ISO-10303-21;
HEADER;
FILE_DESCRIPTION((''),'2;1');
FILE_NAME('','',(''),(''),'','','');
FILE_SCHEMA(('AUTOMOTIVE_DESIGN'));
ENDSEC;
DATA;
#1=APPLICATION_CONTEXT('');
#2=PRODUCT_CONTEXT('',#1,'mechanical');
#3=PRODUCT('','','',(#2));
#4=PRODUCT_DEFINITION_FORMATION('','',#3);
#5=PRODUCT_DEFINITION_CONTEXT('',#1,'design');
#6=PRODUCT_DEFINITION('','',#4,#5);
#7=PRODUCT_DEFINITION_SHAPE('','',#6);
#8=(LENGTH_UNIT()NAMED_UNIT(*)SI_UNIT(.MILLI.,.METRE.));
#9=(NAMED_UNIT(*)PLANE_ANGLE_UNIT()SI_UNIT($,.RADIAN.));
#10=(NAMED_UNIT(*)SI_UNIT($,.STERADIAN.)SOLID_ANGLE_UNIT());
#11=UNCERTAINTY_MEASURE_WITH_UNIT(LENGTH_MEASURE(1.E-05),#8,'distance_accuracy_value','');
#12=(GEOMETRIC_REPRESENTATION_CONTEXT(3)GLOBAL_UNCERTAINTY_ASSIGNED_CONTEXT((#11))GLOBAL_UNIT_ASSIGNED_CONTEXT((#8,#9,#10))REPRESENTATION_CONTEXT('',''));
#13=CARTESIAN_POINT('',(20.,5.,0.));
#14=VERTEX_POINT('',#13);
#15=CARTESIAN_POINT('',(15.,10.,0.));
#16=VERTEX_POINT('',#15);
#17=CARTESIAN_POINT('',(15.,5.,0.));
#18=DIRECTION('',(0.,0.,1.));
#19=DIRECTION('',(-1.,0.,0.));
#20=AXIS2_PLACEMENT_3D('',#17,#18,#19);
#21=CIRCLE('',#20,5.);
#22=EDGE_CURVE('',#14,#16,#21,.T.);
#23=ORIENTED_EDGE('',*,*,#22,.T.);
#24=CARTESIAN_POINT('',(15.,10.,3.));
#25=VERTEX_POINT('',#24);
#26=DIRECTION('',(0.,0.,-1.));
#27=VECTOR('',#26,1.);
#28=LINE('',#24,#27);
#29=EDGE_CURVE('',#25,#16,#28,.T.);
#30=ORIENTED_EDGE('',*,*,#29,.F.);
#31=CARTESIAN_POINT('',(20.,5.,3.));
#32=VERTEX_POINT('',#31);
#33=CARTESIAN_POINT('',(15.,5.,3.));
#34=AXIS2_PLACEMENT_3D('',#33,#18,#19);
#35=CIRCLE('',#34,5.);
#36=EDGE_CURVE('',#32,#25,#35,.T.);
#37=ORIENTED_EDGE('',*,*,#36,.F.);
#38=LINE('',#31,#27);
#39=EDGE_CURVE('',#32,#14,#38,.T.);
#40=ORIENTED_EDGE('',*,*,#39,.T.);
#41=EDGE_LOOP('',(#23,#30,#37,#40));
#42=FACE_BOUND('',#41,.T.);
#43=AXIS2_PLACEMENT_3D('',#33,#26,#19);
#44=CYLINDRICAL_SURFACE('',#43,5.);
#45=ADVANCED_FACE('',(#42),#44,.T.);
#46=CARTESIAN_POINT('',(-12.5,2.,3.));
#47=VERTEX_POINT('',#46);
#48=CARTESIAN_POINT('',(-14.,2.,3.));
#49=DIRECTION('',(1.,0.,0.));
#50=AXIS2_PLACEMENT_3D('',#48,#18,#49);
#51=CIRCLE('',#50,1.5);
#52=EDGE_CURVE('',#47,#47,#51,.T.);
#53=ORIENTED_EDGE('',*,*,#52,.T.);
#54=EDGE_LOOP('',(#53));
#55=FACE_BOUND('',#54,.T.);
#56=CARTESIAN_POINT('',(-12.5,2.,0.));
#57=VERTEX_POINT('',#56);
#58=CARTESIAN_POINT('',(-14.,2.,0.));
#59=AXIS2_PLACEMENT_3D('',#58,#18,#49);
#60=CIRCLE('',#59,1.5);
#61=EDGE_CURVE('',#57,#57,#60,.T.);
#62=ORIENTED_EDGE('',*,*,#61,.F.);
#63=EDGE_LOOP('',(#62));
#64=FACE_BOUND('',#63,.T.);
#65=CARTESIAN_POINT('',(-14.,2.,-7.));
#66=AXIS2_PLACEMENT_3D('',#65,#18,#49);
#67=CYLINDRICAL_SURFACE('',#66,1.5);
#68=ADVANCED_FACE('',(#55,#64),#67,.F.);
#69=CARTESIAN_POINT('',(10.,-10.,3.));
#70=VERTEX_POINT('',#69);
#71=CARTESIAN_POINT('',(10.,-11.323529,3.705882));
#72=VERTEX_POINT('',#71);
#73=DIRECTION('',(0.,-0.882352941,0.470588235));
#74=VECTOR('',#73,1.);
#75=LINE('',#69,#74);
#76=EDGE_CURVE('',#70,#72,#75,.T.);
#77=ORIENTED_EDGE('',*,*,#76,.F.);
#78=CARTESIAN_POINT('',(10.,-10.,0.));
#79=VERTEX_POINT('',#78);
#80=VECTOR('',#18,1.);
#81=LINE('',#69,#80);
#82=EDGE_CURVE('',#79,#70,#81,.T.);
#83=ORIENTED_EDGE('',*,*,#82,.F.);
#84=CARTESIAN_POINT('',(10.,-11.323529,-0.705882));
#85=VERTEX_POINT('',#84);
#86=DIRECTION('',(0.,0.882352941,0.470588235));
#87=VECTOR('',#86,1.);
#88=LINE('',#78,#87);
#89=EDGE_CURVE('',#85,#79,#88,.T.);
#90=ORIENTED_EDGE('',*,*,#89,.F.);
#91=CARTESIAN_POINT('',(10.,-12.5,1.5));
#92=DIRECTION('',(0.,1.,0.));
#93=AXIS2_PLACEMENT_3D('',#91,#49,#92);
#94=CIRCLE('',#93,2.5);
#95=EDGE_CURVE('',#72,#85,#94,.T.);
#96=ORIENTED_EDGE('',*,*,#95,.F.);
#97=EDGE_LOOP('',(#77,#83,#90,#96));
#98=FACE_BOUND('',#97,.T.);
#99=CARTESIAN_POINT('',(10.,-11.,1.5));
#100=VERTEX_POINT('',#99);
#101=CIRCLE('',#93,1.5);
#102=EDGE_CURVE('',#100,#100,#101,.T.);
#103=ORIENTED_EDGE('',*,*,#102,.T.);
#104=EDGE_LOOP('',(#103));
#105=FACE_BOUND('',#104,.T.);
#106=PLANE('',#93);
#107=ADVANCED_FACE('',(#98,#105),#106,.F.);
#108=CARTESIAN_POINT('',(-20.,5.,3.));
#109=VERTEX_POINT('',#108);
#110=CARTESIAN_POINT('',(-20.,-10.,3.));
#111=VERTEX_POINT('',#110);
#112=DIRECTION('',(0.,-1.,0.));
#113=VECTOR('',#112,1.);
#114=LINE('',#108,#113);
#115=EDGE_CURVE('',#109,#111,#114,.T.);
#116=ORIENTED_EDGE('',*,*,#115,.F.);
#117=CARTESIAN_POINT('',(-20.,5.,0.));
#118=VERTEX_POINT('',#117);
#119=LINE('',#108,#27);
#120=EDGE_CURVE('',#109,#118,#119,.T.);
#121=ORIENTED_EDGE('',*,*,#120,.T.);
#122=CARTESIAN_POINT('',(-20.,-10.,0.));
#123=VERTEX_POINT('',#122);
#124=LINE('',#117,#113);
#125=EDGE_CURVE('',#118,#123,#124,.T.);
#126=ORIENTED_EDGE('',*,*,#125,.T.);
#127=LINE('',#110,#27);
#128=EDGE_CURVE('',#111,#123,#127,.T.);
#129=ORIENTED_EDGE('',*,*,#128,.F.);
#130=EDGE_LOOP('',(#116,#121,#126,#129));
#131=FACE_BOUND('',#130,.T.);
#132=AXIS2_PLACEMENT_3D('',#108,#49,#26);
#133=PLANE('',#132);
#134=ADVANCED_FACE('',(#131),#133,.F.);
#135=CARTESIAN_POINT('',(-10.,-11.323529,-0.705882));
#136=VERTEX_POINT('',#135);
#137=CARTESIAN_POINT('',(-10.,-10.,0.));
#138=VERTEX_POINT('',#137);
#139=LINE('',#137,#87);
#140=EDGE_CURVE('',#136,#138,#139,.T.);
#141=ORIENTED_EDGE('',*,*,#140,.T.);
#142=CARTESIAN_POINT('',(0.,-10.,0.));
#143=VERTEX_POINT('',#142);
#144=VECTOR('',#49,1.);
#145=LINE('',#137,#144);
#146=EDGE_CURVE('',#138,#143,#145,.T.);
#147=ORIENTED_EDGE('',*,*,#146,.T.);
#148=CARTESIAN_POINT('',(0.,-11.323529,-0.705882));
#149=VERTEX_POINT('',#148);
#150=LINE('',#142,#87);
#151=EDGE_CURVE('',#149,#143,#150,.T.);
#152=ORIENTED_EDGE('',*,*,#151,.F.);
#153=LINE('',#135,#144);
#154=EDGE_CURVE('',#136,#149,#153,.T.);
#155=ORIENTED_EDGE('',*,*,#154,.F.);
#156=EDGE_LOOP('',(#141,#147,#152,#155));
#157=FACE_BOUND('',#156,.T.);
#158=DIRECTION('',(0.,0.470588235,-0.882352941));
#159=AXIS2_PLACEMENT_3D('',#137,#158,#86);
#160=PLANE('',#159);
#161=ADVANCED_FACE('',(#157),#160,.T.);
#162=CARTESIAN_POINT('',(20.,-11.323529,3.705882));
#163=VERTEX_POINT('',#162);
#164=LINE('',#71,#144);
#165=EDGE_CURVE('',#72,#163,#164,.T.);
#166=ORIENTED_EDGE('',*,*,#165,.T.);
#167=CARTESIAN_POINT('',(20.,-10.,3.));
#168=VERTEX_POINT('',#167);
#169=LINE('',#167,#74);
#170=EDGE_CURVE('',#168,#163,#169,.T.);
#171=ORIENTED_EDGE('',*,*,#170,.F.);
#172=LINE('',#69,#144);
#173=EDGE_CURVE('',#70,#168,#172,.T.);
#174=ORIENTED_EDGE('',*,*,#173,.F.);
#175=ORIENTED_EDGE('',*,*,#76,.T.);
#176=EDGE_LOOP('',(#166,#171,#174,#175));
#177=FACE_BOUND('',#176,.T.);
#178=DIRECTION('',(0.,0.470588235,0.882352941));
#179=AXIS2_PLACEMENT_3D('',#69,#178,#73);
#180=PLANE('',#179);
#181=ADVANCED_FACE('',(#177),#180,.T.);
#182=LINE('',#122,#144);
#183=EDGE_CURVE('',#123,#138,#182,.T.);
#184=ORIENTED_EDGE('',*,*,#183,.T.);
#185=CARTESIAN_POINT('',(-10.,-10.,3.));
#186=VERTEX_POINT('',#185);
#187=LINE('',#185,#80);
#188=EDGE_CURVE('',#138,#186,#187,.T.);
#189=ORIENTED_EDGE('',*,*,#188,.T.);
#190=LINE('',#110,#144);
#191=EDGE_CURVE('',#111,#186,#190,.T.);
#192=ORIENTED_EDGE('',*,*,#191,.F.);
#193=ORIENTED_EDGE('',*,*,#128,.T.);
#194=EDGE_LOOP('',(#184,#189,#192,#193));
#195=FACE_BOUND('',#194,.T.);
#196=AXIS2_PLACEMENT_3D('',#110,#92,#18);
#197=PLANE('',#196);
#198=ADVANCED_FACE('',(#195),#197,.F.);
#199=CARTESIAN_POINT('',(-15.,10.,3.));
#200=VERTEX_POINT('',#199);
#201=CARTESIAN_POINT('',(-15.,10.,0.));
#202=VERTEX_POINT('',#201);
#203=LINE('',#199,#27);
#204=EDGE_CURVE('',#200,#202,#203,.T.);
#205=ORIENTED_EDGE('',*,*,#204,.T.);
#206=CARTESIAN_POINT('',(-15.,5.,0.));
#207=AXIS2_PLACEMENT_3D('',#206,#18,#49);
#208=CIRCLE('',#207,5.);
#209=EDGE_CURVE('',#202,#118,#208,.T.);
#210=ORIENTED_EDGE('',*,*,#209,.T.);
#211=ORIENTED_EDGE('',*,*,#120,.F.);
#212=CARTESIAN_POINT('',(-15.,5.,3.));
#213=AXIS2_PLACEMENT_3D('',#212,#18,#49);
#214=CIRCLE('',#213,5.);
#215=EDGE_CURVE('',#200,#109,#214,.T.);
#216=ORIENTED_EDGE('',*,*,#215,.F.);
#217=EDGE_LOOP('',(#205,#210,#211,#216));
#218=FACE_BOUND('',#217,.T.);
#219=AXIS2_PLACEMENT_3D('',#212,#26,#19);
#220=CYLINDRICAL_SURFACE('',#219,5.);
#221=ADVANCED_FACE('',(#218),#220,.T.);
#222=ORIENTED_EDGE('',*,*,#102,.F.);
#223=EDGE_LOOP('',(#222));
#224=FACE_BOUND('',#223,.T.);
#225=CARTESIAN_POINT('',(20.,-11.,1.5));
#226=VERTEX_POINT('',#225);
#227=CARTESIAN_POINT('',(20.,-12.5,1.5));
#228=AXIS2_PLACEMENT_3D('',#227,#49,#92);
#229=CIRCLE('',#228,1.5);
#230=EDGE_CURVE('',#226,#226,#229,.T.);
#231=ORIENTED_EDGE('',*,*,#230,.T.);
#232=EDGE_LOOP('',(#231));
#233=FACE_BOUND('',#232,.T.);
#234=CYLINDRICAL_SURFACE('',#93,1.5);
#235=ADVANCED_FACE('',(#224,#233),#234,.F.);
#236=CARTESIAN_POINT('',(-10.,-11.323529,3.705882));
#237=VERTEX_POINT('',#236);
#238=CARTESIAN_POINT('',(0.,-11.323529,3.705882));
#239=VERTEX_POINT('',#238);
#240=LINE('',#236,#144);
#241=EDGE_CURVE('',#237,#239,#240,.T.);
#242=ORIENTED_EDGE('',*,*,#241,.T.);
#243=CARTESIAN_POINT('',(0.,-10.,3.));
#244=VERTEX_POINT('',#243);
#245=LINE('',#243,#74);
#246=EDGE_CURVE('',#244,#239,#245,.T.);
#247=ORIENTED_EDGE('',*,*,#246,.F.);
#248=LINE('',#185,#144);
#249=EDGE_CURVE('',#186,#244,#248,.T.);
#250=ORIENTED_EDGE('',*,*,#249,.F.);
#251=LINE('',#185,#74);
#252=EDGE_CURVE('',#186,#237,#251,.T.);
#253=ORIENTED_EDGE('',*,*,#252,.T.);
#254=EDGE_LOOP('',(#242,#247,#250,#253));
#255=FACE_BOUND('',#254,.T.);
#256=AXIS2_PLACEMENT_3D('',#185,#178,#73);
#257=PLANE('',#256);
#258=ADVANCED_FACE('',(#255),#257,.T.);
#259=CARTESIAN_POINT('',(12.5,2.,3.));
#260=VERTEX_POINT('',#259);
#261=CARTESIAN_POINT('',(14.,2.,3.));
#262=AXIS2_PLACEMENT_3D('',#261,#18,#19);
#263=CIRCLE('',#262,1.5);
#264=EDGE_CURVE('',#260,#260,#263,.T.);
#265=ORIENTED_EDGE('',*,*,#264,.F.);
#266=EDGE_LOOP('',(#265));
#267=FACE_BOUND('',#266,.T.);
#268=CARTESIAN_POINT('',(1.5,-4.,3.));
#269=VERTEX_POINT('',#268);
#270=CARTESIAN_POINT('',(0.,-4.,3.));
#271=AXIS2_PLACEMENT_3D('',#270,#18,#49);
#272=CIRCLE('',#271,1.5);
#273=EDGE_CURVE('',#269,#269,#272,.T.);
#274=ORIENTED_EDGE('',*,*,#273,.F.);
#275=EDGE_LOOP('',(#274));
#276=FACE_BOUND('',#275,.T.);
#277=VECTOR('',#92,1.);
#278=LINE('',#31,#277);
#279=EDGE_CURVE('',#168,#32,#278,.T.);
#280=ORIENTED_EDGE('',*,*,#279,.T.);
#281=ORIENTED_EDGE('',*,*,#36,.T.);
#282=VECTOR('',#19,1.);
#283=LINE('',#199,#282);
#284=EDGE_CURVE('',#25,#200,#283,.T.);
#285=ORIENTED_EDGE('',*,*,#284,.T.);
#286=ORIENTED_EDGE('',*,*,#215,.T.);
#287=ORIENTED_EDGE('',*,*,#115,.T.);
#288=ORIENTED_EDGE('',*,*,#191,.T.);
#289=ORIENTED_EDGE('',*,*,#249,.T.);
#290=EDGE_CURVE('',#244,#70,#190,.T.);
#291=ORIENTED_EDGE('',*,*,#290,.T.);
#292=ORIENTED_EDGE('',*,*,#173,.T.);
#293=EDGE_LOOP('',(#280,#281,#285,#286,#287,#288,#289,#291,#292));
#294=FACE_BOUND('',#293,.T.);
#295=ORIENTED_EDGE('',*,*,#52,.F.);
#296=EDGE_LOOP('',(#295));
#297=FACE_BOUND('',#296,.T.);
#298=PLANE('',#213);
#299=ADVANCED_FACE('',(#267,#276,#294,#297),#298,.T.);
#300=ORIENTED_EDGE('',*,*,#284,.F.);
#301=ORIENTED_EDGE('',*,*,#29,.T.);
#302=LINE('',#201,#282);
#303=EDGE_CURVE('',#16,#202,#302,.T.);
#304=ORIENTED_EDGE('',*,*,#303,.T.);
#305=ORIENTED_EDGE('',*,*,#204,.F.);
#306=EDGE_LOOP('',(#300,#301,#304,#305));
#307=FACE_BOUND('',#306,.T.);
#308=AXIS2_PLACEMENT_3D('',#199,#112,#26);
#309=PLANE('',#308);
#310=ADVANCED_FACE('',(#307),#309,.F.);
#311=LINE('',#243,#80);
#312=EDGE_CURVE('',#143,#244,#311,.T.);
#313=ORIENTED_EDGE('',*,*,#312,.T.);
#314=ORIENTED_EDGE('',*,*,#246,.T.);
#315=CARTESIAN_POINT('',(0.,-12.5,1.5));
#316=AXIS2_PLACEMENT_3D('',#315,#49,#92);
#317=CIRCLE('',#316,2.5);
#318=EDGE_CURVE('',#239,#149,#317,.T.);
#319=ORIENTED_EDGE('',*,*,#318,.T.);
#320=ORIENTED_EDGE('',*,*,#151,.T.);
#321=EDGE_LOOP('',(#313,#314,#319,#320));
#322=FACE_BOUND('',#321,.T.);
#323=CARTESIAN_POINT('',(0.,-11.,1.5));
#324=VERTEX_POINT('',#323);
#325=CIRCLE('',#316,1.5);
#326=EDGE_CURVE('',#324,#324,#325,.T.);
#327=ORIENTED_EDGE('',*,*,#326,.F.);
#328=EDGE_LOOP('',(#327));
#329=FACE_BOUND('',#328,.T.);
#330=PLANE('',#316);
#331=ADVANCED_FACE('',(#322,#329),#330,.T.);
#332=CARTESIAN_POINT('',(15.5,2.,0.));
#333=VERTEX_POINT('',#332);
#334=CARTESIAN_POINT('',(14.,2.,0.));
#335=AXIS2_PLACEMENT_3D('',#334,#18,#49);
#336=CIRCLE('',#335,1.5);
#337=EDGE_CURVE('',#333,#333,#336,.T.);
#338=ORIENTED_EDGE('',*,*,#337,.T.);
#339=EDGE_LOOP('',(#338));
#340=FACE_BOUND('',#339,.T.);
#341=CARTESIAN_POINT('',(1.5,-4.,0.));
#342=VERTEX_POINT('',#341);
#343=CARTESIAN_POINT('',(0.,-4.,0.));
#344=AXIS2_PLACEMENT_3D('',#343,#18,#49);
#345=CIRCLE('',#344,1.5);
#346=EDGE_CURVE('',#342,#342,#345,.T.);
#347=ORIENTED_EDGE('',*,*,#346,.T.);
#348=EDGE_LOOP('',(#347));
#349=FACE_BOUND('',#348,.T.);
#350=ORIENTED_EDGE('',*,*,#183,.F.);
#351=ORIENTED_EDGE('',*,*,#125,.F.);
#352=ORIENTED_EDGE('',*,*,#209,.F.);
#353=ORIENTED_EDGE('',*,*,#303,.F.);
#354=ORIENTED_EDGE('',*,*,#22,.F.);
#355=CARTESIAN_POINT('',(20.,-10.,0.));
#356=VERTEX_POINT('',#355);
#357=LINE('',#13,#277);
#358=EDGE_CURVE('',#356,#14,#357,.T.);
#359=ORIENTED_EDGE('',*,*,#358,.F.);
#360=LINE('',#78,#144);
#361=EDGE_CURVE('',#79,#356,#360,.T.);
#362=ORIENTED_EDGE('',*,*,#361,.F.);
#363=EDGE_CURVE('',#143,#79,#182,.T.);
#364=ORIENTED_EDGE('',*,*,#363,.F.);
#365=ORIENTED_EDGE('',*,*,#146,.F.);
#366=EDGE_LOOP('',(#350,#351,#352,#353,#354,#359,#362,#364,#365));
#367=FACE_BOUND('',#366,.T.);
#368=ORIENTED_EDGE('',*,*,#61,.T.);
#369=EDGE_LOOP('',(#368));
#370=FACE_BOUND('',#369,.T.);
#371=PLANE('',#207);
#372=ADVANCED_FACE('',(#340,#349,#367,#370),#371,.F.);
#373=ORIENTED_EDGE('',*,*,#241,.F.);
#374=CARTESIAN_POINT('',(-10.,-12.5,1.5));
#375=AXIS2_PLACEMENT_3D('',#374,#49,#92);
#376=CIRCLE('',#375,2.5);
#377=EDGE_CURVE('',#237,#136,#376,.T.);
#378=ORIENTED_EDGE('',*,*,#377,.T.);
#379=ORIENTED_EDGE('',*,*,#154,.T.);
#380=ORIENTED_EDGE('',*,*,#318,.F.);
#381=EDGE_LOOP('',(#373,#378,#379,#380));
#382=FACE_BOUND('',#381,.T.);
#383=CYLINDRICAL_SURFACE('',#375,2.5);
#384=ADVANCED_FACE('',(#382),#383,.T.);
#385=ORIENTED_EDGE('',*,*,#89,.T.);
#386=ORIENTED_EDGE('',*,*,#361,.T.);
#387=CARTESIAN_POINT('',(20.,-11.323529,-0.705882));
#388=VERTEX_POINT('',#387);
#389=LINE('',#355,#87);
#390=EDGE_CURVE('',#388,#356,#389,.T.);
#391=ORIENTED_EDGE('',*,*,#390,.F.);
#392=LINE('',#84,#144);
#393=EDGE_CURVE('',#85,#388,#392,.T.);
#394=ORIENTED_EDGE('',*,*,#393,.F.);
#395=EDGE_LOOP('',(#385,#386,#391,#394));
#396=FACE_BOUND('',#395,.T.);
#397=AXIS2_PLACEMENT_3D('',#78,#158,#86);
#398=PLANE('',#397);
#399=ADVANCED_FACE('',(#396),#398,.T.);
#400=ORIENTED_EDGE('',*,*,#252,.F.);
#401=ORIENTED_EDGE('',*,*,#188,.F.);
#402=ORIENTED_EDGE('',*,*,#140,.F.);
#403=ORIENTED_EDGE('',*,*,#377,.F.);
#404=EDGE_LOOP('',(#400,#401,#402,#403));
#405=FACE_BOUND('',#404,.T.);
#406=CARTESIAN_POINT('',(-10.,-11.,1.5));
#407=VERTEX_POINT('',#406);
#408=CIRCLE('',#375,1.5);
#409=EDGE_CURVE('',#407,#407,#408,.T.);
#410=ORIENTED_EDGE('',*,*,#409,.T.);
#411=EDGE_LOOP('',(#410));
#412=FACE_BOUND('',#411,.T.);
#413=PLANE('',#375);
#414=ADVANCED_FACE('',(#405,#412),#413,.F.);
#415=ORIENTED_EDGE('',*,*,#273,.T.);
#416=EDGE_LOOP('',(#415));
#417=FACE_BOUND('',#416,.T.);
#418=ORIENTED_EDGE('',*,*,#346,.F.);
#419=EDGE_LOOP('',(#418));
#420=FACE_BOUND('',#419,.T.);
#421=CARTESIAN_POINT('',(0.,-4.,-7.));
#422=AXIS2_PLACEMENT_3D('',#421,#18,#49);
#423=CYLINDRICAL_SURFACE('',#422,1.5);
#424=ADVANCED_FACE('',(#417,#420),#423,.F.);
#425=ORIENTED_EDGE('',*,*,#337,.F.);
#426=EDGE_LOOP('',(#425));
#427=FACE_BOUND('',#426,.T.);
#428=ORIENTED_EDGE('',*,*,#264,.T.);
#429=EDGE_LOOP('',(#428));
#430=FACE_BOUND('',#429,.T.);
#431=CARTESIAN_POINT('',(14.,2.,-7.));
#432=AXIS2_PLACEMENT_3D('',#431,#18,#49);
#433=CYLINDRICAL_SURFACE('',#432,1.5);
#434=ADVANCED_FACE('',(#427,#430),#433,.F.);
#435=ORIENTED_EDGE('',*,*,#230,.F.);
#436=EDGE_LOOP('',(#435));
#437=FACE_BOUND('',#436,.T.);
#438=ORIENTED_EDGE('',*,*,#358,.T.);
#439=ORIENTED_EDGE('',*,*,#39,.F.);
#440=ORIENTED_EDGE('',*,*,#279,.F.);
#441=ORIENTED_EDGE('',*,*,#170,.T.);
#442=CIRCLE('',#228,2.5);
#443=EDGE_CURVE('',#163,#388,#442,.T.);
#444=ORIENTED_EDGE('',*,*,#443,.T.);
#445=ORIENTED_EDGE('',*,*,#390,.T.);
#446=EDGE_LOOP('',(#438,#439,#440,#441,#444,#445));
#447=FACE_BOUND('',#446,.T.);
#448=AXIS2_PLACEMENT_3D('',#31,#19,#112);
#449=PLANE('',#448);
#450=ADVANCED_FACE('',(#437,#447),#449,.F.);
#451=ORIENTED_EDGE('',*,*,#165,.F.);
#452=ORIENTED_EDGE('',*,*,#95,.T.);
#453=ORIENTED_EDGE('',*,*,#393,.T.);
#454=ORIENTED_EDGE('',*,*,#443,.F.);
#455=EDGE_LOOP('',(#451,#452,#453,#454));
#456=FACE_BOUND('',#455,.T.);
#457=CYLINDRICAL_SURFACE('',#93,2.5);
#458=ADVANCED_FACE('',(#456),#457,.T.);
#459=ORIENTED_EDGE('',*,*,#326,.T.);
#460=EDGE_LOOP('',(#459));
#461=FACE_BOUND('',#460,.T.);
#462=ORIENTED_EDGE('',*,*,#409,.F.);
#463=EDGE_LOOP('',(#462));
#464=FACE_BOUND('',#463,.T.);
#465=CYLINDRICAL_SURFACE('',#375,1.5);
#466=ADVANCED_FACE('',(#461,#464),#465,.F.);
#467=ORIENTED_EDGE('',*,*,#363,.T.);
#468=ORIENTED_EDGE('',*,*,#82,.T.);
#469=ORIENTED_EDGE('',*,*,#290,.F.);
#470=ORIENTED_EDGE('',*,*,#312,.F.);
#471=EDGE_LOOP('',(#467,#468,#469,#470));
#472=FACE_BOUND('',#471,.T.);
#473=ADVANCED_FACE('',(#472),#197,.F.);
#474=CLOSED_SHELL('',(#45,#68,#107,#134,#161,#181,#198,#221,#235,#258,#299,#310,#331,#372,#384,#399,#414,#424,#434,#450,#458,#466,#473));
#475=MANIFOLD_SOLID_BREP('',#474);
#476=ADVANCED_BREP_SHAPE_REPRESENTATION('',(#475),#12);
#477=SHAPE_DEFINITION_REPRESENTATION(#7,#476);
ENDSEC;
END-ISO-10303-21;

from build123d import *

# Parameters (mm, degrees)
BOSS_EXTRU_1_DEPTH         = 3
ESQUISSE2_R                = 1.5
BOSS_EXTRU_2_DEPTH         = 10
R_P_TITION_LIN_AIRE1_COUNT = 2
R_P_TITION_LIN_AIRE1_PITCH = 20
ESQUISSE3_R                = 1.5
ENL_V_MAT_EXTRU_1_DEPTH    = 10


with BuildPart() as part:
    # Esquisse1 → Boss.-Extru.1 (new body)
    with BuildSketch(Plane.XY):
        with BuildLine():
            Line((-15, 10), (15, 10))
            ThreePointArc((15, 10), (18.535533906, 8.535533906), (20, 5))
            Line((20, 5), (20, -10))
            Line((20, -10), (-20, -10))
            Line((-20, -10), (-20, 5))
            ThreePointArc((-20, 5), (-18.535533906, 8.535533906), (-15, 10))
        make_face()
    extrude(amount=BOSS_EXTRU_1_DEPTH)

    # Esquisse2 → Boss.-Extru.2 (add)
    with BuildSketch(Plane(origin=(20, 0, 0), x_dir=(0, 0, -1), z_dir=(1, 0, 0))):
        with BuildLine():
            Line((-3, -10), (-3.705882353, -11.323529412))
            ThreePointArc((-3.705882353, -11.323529412), (-1.5, -15), (0.705882353, -11.323529412))
            Line((0.705882353, -11.323529412), (0, -10))
            Line((0, -10), (-3, -10))
        make_face()
        with Locations(Location((-1.5, -12.5, 0), (0, 0, 90))):
            Circle(ESQUISSE2_R, mode=Mode.SUBTRACT)
    boss_extru_2 = extrude(amount=-BOSS_EXTRU_2_DEPTH)

    # Répétition linéaire1: Boss.-Extru.2 ×2
    with Locations(*[(-i * R_P_TITION_LIN_AIRE1_PITCH, 0, 0) for i in range(1, R_P_TITION_LIN_AIRE1_COUNT)]):
        add(boss_extru_2)

    # Esquisse3 → Enlèv. mat.-Extru.1 (cut)
    with BuildSketch(Plane.XY.offset(3)):
        with Locations((0, -4)):
            Circle(ESQUISSE3_R)
        with Locations((-14, 2)):
            Circle(ESQUISSE3_R)
        with Locations((14, 2)):
            Circle(ESQUISSE3_R)
    extrude(amount=-ENL_V_MAT_EXTRU_1_DEPTH, mode=Mode.SUBTRACT)


solid = part.part
